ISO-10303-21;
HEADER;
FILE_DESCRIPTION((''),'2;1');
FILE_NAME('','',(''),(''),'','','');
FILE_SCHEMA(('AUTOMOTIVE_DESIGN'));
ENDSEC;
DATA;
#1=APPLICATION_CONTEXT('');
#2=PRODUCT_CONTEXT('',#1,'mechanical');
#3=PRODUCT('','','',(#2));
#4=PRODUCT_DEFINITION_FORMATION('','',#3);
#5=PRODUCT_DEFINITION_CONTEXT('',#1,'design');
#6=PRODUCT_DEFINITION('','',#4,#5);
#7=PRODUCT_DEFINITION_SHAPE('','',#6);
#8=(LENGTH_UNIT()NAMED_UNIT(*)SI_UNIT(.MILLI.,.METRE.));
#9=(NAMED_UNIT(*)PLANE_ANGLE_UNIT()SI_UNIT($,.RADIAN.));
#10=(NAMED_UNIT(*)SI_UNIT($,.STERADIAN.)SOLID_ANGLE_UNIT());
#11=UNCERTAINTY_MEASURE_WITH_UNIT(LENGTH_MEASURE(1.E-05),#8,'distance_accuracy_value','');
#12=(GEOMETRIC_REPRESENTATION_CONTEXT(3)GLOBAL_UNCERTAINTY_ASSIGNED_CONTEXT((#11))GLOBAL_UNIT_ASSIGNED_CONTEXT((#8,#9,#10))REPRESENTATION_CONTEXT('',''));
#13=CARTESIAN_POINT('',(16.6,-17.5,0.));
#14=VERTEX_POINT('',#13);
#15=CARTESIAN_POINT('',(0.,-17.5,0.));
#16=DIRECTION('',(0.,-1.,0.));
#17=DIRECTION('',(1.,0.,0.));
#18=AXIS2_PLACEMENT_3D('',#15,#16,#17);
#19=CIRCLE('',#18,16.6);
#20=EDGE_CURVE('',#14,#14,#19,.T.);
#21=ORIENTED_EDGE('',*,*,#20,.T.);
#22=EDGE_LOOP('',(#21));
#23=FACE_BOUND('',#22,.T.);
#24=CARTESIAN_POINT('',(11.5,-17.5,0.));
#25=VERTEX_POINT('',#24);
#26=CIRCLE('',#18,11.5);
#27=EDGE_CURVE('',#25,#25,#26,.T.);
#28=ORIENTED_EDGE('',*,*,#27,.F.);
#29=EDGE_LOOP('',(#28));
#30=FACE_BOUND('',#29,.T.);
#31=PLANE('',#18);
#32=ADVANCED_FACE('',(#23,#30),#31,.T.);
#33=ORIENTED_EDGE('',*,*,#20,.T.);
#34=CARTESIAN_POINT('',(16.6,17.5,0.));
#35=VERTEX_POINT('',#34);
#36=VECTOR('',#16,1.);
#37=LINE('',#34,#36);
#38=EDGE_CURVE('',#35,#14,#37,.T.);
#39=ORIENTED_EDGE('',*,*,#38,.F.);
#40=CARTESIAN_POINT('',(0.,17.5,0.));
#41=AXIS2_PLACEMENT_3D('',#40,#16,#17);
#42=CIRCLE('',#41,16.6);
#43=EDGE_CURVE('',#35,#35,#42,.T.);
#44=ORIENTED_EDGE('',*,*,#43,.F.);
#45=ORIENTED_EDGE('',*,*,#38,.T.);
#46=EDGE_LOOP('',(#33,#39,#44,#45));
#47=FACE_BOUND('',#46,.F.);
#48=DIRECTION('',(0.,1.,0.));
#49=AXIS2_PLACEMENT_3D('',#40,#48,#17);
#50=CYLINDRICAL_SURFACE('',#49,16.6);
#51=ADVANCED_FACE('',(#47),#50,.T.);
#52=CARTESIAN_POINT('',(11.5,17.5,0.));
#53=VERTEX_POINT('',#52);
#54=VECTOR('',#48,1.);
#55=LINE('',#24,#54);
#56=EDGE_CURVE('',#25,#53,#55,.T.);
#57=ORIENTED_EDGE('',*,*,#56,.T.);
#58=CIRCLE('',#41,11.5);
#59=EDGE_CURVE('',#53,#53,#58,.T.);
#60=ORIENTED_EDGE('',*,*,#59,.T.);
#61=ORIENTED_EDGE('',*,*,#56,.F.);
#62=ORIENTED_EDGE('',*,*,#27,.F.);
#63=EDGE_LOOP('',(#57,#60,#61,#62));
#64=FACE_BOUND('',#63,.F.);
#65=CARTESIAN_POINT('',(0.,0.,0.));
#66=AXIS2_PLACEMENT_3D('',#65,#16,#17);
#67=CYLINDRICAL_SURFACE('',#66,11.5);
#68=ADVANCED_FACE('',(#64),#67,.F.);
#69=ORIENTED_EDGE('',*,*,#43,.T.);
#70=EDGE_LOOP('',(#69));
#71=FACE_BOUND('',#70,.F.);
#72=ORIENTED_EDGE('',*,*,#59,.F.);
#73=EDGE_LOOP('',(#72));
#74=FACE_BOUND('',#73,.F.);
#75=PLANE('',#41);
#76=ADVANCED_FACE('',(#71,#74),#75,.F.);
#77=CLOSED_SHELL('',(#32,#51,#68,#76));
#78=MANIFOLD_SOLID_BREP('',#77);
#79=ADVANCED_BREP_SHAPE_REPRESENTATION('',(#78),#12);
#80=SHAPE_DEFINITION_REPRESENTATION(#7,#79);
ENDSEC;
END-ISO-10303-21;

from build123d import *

# Parameters (mm, degrees)
F0_R          = 25
F0_R_2        = 11.5
F1_DEPTH      = 17.5
F1_DEPTH_BACK = 17.5
F0_R_3        = 5
F2_DEPTH      = 6
F3_DEPTH      = 6
F4_R          = 8.4
F6_DEPTH      = 83.1


with BuildPart() as f1:
    # F0 (on Front) → F1 (new body, two sides)
    with BuildSketch(Plane.XZ) as f1_sk:
        Circle(F0_R)
        Circle(F0_R_2, mode=Mode.SUBTRACT)
    extrude(amount=F1_DEPTH)
    extrude(f1_sk.sketch, amount=-F1_DEPTH_BACK)

    # F0 (on Front) → F2 (join)
    with BuildSketch(Plane.XZ):
        Circle(F0_R_2)
        Circle(F0_R_3, mode=Mode.SUBTRACT)
    extrude(amount=F2_DEPTH)

    # F0 (on Front) → F3 (join)
    with BuildSketch(Plane.XZ):
        Circle(F0_R_2)
        Circle(F0_R_3, mode=Mode.SUBTRACT)
    extrude(amount=-F3_DEPTH)

    # F4
    f4_edges = [f1.edges().sort_by_distance(p)[0] for p in [
        (-25, -17.5, 0),
        (-25, 17.5, 0),
    ]]
    fillet(f4_edges, radius=F4_R)

    # F6 (intersect): a face of the model
    f6_faces = [f1.faces().sort_by_distance(p)[0] for p in [
        (-16.1304810973, 17.5, 0),
    ]]
    extrude(f6_faces, amount=-F6_DEPTH, mode=Mode.INTERSECT)


solid = f1.part
